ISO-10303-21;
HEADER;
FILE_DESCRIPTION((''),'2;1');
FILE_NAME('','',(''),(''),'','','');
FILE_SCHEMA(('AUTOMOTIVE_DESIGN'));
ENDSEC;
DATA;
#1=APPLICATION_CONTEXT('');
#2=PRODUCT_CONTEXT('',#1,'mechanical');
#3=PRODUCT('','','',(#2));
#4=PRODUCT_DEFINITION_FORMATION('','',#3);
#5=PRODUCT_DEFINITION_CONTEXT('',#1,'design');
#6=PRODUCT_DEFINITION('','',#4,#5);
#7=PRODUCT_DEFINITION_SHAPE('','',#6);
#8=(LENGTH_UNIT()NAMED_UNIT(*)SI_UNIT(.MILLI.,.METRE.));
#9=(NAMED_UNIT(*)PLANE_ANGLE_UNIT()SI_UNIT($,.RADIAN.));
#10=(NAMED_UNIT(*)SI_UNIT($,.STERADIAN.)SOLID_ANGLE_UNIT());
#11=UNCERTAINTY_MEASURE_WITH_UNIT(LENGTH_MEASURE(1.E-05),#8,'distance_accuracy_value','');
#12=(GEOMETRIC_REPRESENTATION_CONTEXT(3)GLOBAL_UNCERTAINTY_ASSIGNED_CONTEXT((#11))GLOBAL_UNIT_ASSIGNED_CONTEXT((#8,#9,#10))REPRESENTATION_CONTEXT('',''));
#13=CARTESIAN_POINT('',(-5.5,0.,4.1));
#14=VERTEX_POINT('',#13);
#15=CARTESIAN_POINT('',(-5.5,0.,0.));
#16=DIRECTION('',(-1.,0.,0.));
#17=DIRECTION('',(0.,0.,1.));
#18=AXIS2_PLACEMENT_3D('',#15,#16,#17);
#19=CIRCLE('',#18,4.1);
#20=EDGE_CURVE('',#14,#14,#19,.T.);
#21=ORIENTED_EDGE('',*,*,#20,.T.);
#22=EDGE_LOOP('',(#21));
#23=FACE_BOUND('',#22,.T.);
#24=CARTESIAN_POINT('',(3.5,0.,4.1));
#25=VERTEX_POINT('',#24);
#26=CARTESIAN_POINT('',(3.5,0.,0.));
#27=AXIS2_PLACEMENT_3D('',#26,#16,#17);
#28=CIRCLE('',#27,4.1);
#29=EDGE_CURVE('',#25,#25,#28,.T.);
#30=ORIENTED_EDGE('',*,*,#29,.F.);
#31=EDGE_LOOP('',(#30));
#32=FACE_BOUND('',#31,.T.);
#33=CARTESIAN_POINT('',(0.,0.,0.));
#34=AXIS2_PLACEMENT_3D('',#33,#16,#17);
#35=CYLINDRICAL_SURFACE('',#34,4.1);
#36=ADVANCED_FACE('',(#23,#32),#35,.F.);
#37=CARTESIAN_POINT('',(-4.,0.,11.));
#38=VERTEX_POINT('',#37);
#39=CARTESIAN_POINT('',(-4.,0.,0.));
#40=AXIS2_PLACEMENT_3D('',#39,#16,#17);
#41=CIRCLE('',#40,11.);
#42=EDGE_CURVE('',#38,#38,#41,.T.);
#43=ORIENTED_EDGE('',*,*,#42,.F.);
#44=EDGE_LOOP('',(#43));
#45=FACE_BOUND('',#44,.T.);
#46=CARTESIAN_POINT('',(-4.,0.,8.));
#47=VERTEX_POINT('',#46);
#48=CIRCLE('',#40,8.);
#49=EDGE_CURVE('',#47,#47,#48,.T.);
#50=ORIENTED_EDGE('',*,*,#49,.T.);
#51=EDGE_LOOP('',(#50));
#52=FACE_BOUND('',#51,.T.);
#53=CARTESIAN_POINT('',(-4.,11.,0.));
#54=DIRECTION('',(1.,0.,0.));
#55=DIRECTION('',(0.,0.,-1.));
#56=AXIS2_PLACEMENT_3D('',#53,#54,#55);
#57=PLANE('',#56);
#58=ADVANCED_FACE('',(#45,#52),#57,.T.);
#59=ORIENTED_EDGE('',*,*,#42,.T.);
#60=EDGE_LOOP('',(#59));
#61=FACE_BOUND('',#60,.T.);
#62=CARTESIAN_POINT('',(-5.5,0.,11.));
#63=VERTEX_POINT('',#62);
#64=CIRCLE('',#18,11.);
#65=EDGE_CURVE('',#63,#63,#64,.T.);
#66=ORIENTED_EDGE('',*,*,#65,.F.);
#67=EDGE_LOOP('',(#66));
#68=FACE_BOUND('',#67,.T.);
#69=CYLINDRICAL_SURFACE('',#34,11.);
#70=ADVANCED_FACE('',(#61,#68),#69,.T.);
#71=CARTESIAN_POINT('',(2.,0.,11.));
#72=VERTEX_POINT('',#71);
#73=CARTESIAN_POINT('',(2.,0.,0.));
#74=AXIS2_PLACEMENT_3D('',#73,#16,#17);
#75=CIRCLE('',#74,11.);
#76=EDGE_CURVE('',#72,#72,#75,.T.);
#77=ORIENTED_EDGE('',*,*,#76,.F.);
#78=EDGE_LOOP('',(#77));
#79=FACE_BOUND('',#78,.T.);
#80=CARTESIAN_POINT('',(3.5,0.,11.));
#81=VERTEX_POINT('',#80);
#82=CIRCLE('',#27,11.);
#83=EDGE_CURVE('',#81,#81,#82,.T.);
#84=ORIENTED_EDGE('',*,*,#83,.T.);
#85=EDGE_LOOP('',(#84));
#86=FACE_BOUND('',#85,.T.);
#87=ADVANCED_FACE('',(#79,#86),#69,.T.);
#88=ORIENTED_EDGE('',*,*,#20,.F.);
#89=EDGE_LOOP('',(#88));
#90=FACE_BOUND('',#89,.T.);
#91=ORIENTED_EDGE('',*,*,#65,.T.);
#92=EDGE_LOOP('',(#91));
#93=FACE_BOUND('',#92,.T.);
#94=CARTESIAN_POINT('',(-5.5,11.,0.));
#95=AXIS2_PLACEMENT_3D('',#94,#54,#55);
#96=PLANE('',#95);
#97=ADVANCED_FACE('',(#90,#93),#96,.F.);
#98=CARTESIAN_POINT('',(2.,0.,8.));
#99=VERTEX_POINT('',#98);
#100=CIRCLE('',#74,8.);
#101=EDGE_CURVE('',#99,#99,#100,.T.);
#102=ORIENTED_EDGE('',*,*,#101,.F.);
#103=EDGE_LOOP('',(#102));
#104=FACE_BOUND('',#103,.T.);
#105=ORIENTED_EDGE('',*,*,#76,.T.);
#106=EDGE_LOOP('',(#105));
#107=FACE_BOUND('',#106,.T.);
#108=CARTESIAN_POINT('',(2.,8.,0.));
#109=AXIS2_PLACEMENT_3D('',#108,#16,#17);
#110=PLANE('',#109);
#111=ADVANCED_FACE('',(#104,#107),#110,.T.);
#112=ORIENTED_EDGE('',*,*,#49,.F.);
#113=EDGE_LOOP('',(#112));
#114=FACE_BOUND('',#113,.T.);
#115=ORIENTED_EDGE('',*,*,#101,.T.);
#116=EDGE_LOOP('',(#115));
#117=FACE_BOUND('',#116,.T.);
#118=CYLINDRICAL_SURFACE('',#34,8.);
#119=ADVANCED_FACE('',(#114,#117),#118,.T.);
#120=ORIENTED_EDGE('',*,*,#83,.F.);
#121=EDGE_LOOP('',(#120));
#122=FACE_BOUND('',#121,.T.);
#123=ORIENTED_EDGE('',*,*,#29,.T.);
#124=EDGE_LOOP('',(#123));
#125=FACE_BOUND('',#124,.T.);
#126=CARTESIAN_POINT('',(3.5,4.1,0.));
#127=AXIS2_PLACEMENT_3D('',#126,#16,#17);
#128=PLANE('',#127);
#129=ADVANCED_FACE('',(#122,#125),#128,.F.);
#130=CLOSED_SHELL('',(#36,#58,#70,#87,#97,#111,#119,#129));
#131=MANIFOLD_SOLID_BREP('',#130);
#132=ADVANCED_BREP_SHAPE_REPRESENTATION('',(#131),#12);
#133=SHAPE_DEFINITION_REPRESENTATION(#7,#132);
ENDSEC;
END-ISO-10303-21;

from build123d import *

# Parameters (mm, degrees)
SKETCH1_W = 9
SKETCH1_H = 6.9
SKETCH2_W = 6
SKETCH2_H = 3


with BuildPart() as part:
    # Sketch1 → Revolve1 (revolve)
    with BuildSketch(Plane.XY, mode=Mode.PRIVATE) as revolve1_sk:
        with Locations((-1, 7.55)):
            Rectangle(SKETCH1_W, SKETCH1_H)
    revolve(revolve1_sk.sketch.rotate(Axis((0, 0, 0), (1, 0, 0)), 90), axis=Axis((0, 0, 0), (1, 0, 0)))

    # Sketch2 → Cut-Revolve1 (revolve, cut)
    with BuildSketch(Plane.XY, mode=Mode.PRIVATE) as cut_revolve1_sk:
        with Locations((-1, 9.5)):
            Rectangle(SKETCH2_W, SKETCH2_H)
    revolve(cut_revolve1_sk.sketch.rotate(Axis((0, 0, 0), (1, 0, 0)), 90), axis=Axis((0, 0, 0), (1, 0, 0)), mode=Mode.SUBTRACT)


solid = part.part
